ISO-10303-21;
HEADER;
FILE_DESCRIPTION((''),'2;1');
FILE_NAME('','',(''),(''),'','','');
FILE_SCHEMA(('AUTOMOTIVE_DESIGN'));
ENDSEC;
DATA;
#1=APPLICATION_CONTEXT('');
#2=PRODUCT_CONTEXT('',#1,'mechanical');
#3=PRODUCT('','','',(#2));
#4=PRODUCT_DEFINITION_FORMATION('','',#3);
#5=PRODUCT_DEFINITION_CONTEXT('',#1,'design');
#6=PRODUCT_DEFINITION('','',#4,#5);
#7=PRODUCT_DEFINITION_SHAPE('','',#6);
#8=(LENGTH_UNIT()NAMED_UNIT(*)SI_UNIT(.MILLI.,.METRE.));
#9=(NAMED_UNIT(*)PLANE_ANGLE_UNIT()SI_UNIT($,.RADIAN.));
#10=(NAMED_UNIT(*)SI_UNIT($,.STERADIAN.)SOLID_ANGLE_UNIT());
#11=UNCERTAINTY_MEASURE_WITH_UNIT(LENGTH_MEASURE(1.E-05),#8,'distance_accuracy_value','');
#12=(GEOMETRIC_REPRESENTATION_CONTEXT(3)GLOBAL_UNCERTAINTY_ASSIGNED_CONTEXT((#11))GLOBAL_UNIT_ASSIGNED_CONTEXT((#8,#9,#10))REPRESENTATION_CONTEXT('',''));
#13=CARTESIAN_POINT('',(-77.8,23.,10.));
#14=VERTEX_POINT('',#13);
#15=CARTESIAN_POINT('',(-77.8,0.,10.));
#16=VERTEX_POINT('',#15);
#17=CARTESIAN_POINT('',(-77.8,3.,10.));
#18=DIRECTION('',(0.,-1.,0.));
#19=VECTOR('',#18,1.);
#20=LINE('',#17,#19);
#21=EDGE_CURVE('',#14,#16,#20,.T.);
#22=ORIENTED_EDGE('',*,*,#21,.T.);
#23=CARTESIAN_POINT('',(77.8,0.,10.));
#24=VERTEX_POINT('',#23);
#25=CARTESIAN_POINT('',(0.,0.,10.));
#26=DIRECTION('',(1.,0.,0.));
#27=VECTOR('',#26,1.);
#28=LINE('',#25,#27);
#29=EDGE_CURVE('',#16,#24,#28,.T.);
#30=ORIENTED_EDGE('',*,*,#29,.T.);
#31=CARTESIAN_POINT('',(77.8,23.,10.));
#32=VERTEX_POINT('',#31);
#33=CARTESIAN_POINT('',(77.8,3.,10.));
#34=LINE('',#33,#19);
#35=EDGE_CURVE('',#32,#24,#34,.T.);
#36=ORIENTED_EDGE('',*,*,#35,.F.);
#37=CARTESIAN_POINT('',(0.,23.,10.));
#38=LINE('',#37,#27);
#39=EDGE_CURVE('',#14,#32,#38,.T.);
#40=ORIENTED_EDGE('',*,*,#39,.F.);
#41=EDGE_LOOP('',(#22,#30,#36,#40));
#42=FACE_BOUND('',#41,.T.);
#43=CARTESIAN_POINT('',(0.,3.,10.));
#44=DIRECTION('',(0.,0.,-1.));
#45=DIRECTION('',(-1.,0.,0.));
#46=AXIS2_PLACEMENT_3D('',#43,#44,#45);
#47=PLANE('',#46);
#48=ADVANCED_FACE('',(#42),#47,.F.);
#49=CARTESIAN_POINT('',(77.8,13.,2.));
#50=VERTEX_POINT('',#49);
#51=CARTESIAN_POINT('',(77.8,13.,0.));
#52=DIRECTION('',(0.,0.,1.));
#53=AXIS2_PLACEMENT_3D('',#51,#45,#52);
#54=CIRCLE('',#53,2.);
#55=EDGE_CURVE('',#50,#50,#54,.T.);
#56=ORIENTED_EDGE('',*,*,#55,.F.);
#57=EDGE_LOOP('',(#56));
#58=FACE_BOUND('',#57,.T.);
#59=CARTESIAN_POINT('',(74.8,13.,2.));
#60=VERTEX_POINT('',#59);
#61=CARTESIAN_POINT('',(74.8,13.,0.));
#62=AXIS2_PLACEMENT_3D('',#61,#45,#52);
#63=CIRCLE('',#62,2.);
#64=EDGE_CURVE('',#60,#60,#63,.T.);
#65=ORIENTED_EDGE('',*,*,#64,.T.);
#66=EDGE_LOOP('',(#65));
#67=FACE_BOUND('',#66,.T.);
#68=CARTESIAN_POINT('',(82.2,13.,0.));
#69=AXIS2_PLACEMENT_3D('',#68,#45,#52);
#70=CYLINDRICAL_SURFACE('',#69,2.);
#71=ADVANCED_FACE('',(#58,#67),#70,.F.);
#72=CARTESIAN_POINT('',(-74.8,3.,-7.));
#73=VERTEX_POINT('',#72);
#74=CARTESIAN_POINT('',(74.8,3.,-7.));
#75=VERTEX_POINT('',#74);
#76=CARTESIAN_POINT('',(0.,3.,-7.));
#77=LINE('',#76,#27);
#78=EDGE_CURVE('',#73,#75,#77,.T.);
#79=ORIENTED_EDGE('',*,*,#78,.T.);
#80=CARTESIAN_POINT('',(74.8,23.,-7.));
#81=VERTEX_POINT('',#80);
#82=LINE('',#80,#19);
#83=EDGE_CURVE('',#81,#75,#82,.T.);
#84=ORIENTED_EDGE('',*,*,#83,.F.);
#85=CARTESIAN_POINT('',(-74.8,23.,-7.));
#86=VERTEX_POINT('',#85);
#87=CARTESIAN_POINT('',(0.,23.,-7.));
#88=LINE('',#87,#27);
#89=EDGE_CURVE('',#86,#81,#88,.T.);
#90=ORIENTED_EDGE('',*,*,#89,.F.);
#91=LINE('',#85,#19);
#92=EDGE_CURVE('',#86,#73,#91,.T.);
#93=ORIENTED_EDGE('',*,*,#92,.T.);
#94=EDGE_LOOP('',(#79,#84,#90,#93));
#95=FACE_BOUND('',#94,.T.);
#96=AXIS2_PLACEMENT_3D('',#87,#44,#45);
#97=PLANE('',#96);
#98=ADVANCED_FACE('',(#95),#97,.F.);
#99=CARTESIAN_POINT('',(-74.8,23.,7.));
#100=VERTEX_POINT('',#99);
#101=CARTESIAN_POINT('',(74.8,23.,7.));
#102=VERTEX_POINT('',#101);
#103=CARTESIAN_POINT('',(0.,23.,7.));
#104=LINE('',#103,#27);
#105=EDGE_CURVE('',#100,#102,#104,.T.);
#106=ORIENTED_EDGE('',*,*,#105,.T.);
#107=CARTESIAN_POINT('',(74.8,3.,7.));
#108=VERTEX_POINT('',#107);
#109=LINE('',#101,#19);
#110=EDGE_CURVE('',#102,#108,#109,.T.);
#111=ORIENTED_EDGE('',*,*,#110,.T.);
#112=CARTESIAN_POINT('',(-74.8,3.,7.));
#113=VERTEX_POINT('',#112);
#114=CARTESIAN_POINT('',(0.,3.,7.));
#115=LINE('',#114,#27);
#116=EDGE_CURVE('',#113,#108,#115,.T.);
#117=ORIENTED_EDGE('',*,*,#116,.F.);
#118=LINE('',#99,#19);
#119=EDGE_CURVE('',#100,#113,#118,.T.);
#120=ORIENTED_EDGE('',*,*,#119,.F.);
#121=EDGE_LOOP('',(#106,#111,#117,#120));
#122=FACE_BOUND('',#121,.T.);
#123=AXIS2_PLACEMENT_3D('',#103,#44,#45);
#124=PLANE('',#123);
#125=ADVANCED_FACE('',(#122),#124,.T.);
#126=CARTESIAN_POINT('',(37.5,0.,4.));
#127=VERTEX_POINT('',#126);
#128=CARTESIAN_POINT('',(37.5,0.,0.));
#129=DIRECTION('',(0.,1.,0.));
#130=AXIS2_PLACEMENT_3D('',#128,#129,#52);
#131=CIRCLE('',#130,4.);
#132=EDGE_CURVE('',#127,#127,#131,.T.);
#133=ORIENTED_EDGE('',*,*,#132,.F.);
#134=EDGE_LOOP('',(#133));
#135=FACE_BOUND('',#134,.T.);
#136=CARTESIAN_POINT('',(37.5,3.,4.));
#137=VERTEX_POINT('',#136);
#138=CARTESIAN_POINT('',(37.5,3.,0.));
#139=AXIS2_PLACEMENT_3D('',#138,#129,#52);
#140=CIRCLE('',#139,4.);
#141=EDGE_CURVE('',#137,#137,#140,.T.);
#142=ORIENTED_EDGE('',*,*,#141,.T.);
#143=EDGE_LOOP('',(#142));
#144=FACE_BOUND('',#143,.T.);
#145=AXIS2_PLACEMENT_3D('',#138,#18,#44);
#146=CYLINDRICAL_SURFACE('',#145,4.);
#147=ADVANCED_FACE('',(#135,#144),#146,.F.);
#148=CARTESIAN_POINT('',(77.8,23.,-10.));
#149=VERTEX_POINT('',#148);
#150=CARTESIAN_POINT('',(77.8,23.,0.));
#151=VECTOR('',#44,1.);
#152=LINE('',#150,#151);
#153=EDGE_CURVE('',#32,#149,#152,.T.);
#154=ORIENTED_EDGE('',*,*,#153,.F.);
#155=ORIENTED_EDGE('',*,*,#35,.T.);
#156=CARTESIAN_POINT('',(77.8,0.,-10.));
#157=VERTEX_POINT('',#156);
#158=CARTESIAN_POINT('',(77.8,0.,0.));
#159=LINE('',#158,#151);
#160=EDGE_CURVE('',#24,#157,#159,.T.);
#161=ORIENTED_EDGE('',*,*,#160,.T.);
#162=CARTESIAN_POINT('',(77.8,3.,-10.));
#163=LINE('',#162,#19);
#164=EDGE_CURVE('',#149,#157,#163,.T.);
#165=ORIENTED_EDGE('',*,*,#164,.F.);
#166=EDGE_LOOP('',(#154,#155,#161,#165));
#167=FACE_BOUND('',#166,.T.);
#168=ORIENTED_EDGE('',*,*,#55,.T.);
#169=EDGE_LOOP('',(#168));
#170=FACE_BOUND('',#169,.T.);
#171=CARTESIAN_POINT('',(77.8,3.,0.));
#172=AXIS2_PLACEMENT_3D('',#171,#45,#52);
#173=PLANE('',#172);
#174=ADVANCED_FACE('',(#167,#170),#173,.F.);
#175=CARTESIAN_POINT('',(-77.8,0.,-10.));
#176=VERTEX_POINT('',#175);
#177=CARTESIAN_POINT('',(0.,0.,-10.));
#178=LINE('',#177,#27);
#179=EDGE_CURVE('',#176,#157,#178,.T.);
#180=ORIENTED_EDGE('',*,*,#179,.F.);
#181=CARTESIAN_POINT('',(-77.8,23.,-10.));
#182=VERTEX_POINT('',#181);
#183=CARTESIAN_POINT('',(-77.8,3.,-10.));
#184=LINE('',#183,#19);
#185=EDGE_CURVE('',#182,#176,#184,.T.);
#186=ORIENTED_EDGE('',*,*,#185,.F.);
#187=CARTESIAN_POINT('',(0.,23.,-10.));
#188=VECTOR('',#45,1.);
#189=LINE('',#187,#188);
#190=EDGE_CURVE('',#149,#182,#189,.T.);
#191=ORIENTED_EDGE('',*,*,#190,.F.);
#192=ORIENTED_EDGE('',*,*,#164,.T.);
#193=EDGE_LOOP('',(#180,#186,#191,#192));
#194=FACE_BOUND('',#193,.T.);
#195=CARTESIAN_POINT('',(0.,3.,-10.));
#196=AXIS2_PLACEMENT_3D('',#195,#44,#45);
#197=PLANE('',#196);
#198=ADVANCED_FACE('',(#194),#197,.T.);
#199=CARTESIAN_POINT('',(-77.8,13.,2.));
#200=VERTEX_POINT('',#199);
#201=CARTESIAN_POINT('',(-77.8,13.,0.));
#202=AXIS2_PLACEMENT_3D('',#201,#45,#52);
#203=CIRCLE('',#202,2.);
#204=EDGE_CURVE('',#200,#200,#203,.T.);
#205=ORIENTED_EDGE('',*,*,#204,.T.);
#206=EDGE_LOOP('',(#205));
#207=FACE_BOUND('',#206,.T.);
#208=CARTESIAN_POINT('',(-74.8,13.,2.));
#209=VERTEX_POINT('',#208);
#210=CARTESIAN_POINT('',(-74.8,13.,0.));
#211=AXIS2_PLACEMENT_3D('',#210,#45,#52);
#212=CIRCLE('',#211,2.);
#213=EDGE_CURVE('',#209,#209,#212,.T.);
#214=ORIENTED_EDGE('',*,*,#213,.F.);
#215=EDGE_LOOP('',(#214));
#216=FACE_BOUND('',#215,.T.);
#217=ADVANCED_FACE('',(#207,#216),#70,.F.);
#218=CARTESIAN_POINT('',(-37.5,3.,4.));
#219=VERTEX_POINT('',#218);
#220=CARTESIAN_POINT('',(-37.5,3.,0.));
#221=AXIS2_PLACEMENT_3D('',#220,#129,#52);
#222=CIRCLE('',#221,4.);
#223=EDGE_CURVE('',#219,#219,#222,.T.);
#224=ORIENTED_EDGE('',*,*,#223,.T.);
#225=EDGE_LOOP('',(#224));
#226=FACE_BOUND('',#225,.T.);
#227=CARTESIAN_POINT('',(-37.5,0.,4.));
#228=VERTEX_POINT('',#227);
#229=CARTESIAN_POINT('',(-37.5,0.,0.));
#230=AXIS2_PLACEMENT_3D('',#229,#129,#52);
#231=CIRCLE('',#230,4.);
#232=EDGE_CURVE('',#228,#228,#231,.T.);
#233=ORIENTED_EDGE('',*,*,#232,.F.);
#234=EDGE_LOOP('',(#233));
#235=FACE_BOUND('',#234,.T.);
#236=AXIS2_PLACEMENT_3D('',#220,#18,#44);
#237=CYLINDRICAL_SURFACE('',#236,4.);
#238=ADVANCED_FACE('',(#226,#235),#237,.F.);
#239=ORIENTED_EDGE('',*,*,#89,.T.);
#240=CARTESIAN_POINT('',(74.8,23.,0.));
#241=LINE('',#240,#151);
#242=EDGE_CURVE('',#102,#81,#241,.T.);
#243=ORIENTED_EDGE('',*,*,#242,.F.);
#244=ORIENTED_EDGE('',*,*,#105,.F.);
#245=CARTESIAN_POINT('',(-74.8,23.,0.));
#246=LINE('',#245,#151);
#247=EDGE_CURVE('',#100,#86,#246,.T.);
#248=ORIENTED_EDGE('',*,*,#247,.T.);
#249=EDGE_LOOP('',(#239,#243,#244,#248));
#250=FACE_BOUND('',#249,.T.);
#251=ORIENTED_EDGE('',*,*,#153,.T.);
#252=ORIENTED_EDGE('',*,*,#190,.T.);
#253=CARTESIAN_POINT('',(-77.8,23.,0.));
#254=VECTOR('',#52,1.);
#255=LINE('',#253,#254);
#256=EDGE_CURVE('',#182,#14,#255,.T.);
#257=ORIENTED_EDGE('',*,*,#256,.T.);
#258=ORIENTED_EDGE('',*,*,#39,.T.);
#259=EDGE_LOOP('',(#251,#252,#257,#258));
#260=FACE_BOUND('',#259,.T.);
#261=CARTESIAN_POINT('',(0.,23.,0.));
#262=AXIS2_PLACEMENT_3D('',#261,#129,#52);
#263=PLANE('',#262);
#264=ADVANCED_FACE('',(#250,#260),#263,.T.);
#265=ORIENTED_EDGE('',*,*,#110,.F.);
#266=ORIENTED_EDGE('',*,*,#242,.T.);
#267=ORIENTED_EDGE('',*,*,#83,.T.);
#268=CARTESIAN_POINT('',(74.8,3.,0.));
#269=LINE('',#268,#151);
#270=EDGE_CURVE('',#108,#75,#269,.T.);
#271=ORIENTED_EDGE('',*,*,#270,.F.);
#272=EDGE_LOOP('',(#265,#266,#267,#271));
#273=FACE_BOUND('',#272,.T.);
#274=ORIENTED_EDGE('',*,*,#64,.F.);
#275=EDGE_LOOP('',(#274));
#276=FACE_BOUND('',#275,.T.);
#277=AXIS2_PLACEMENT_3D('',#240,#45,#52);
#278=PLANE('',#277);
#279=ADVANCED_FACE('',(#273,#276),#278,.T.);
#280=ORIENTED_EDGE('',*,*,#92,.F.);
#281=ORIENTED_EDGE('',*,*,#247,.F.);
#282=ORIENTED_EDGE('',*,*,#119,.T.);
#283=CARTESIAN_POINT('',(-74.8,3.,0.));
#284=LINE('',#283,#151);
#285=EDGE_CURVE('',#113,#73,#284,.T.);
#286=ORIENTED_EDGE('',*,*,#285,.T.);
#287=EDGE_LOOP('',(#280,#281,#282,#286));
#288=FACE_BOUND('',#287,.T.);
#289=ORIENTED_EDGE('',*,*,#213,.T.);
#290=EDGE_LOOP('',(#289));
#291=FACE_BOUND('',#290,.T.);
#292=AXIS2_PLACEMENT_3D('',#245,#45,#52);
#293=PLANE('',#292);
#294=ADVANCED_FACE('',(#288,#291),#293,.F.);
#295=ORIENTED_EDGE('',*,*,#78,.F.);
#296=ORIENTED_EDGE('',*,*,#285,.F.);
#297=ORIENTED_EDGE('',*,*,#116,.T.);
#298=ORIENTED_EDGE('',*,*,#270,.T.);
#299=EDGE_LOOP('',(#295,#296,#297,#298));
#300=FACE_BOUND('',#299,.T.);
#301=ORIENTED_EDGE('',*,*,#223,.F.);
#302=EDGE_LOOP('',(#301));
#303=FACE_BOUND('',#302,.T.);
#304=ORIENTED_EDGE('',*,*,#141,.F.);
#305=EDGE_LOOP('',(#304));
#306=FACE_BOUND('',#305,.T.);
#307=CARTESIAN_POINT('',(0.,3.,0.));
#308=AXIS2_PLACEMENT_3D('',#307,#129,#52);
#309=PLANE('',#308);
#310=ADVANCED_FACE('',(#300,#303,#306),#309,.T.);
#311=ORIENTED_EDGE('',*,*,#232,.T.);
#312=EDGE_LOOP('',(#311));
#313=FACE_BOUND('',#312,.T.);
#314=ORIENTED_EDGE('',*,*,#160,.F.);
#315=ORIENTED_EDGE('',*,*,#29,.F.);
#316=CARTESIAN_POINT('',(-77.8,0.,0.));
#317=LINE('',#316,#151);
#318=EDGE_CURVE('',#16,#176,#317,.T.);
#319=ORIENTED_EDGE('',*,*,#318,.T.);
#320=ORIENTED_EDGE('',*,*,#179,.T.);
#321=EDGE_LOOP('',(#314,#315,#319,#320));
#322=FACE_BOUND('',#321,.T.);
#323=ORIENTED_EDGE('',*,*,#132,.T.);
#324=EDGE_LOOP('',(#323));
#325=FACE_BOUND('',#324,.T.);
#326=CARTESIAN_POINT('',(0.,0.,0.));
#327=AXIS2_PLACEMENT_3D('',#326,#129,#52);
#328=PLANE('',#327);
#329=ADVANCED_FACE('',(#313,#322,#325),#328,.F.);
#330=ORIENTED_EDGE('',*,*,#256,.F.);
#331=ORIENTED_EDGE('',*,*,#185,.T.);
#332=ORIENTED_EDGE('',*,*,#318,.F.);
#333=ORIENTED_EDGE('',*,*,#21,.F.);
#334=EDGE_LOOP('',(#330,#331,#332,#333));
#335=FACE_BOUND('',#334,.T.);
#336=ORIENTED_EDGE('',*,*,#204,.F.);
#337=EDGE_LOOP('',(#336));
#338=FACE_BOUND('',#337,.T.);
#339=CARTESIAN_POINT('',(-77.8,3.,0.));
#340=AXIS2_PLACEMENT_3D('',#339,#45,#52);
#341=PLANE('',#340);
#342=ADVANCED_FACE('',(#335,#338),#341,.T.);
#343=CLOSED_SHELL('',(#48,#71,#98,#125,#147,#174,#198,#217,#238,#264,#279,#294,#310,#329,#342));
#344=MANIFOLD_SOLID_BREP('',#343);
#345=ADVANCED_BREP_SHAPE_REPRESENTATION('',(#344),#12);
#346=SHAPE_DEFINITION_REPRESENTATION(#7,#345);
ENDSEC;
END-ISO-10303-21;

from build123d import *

# Parameters (mm, degrees)
SKETCH_1_W          = 155.6
SKETCH_1_H          = 20
SKETCH_1_R          = 4
EXTRUDE_1_DEPTH     = 3
SKETCH_2_W          = 155.6
SKETCH_2_H          = 20
SKETCH_2_W_2        = 149.6
SKETCH_2_H_2        = 14
EXTRUDE_2_DEPTH     = 20
SKETCH_3_R          = 2
CUT_EXTRUDE_1_DEPTH = 160


with BuildPart() as part:
    # 草图1 → 凸台-拉伸1 (new body)
    with BuildSketch(Plane(origin=(0, 0, 0), x_dir=(1, 0, 0), z_dir=(0, 1, 0))):
        Rectangle(SKETCH_1_W, SKETCH_1_H)
        with Locations((-37.5, 0)):
            Circle(SKETCH_1_R, mode=Mode.SUBTRACT)
        with Locations((37.5, 0)):
            Circle(SKETCH_1_R, mode=Mode.SUBTRACT)
    extrude(amount=EXTRUDE_1_DEPTH)

    # 草图2 → 凸台-拉伸2 (add)
    with BuildSketch(Plane(origin=(0, 3, 0), x_dir=(1, 0, 0), z_dir=(0, 1, 0))):
        Rectangle(SKETCH_2_W, SKETCH_2_H)
        Rectangle(SKETCH_2_W_2, SKETCH_2_H_2, mode=Mode.SUBTRACT)
    extrude(amount=EXTRUDE_2_DEPTH)

    # 草图3 → 切除-拉伸1 (cut)
    with BuildSketch(Plane.ZY.offset(77.8)):
        with Locations((0, 13)):
            Circle(SKETCH_3_R)
    extrude(amount=-CUT_EXTRUDE_1_DEPTH, mode=Mode.SUBTRACT)


solid = part.part
